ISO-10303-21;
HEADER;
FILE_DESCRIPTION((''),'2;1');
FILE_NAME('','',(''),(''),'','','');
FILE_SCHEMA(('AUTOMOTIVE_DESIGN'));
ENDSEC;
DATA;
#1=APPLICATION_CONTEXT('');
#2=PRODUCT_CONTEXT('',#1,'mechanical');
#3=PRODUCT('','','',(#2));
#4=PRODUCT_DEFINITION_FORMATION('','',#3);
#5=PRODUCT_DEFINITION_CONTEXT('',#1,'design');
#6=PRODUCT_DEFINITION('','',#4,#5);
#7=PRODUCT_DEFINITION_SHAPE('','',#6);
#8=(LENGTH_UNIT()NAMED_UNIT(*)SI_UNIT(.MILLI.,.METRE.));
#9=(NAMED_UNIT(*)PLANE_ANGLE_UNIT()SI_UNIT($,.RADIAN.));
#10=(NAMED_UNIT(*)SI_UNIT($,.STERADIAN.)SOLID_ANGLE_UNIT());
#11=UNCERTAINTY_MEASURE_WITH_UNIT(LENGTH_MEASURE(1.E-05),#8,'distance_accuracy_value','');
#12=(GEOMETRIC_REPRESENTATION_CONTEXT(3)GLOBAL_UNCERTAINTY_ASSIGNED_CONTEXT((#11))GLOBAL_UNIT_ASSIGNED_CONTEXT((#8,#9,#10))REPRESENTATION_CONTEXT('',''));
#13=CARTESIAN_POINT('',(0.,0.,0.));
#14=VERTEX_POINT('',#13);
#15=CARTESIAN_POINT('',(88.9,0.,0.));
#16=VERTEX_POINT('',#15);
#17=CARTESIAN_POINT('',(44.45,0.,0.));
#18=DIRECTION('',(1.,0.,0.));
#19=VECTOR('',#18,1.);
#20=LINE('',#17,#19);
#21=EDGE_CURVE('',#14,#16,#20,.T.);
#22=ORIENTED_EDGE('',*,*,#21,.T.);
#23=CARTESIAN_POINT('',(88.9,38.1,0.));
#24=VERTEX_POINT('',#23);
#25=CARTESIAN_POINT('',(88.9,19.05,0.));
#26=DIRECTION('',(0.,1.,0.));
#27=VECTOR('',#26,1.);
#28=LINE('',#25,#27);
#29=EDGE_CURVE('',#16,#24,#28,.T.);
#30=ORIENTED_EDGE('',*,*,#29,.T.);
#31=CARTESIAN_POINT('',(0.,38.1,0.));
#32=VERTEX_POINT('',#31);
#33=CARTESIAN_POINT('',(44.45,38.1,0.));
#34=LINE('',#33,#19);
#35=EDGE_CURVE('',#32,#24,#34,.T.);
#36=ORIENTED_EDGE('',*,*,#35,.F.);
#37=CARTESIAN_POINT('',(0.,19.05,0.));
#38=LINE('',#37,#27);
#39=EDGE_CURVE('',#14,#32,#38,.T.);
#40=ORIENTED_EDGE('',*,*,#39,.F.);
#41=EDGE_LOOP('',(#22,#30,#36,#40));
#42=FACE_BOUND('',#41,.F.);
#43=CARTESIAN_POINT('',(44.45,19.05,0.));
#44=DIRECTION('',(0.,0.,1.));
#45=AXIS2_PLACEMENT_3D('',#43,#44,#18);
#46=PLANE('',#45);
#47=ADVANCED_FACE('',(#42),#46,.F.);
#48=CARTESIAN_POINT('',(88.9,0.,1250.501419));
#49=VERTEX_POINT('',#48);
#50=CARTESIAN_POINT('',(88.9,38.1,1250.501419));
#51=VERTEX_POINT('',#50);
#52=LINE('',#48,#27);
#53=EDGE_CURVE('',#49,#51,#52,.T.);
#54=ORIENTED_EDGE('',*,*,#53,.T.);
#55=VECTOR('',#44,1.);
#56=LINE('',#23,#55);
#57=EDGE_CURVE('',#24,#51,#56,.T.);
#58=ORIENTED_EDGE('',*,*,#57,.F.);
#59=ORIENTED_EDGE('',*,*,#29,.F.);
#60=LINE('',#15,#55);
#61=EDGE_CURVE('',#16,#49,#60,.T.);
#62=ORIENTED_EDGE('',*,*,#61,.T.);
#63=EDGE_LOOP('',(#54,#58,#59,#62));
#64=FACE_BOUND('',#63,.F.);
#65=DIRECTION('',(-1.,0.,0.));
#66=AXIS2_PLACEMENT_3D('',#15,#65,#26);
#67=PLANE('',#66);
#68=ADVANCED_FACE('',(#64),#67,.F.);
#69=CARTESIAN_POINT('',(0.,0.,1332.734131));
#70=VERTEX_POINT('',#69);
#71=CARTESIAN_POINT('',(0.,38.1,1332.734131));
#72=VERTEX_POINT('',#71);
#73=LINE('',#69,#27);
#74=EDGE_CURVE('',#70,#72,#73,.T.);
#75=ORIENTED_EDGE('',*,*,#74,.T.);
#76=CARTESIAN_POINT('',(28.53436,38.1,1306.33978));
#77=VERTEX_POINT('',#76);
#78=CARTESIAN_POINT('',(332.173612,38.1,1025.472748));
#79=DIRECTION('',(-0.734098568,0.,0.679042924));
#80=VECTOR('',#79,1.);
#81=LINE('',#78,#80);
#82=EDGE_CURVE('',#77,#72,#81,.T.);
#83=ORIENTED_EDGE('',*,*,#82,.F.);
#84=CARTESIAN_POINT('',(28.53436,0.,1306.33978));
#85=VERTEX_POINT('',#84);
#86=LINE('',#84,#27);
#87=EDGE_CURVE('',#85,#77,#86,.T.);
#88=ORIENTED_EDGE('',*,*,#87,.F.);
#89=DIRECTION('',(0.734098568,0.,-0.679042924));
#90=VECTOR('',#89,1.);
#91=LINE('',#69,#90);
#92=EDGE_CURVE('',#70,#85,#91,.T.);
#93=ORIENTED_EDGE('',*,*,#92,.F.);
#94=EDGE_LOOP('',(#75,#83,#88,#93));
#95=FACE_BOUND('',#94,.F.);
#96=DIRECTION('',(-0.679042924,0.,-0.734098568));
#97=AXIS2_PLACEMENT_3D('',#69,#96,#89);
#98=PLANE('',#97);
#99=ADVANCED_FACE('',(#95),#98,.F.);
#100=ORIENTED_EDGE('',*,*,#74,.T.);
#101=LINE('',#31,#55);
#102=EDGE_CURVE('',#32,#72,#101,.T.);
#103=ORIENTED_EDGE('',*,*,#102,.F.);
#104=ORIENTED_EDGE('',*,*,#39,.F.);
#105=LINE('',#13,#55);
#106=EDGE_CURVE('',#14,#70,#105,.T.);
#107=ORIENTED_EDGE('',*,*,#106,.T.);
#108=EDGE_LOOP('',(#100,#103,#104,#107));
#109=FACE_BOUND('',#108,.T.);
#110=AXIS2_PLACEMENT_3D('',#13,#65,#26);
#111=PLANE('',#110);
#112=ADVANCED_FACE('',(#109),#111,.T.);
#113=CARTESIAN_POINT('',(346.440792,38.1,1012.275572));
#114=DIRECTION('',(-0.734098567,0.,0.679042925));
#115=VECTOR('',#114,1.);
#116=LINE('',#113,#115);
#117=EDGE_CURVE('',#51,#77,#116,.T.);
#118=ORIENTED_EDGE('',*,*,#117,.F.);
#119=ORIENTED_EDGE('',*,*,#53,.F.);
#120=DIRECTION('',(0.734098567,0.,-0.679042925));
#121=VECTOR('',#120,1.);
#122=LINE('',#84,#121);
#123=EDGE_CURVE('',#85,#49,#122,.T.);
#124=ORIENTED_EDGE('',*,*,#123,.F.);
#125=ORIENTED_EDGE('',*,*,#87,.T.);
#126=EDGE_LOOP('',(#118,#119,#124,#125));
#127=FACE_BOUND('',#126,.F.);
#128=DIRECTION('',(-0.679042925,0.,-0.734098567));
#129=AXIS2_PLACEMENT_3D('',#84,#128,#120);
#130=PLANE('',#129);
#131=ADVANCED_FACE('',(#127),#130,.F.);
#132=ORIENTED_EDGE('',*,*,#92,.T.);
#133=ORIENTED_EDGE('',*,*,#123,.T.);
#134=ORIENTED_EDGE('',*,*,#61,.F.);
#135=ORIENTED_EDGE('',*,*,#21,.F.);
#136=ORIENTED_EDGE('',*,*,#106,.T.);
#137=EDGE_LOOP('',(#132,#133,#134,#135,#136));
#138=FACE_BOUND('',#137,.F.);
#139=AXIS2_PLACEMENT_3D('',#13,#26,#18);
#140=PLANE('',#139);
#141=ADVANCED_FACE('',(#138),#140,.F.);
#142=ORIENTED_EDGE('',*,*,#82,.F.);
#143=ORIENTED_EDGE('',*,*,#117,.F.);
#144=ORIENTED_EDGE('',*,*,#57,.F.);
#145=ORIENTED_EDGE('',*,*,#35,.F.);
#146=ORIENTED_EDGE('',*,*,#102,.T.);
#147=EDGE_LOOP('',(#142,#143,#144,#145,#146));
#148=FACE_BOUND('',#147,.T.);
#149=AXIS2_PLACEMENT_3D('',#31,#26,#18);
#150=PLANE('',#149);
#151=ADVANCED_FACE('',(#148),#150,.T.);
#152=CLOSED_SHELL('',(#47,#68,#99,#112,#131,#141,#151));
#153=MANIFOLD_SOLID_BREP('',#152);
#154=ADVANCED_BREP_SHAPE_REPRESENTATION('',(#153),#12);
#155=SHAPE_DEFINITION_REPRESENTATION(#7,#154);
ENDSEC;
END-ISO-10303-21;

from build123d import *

# Parameters (mm, degrees)
F0_W     = 88.9
F0_H     = 38.1
F1_DEPTH = 1371.6
F3_DEPTH = 38.101


with BuildPart() as f1:
    # F0 (on Top) → F1 (new body)
    with BuildSketch(Plane.XY):
        with Locations((44.45, 19.05)):
            Rectangle(F0_W, F0_H)
    extrude(amount=F1_DEPTH)

    # F2 (on face) → F3 (cut, through all)
    with BuildSketch(Plane.XZ):
        Polygon((28.53436, 1306.33978), (88.9, 1371.6), (0, 1371.6), (0, 1332.734131), align=None)
        Polygon((88.9, 1250.501419), (88.9, 1371.6), (28.53436, 1306.33978), align=None)
    extrude(amount=-F3_DEPTH, mode=Mode.SUBTRACT)


solid = f1.part
